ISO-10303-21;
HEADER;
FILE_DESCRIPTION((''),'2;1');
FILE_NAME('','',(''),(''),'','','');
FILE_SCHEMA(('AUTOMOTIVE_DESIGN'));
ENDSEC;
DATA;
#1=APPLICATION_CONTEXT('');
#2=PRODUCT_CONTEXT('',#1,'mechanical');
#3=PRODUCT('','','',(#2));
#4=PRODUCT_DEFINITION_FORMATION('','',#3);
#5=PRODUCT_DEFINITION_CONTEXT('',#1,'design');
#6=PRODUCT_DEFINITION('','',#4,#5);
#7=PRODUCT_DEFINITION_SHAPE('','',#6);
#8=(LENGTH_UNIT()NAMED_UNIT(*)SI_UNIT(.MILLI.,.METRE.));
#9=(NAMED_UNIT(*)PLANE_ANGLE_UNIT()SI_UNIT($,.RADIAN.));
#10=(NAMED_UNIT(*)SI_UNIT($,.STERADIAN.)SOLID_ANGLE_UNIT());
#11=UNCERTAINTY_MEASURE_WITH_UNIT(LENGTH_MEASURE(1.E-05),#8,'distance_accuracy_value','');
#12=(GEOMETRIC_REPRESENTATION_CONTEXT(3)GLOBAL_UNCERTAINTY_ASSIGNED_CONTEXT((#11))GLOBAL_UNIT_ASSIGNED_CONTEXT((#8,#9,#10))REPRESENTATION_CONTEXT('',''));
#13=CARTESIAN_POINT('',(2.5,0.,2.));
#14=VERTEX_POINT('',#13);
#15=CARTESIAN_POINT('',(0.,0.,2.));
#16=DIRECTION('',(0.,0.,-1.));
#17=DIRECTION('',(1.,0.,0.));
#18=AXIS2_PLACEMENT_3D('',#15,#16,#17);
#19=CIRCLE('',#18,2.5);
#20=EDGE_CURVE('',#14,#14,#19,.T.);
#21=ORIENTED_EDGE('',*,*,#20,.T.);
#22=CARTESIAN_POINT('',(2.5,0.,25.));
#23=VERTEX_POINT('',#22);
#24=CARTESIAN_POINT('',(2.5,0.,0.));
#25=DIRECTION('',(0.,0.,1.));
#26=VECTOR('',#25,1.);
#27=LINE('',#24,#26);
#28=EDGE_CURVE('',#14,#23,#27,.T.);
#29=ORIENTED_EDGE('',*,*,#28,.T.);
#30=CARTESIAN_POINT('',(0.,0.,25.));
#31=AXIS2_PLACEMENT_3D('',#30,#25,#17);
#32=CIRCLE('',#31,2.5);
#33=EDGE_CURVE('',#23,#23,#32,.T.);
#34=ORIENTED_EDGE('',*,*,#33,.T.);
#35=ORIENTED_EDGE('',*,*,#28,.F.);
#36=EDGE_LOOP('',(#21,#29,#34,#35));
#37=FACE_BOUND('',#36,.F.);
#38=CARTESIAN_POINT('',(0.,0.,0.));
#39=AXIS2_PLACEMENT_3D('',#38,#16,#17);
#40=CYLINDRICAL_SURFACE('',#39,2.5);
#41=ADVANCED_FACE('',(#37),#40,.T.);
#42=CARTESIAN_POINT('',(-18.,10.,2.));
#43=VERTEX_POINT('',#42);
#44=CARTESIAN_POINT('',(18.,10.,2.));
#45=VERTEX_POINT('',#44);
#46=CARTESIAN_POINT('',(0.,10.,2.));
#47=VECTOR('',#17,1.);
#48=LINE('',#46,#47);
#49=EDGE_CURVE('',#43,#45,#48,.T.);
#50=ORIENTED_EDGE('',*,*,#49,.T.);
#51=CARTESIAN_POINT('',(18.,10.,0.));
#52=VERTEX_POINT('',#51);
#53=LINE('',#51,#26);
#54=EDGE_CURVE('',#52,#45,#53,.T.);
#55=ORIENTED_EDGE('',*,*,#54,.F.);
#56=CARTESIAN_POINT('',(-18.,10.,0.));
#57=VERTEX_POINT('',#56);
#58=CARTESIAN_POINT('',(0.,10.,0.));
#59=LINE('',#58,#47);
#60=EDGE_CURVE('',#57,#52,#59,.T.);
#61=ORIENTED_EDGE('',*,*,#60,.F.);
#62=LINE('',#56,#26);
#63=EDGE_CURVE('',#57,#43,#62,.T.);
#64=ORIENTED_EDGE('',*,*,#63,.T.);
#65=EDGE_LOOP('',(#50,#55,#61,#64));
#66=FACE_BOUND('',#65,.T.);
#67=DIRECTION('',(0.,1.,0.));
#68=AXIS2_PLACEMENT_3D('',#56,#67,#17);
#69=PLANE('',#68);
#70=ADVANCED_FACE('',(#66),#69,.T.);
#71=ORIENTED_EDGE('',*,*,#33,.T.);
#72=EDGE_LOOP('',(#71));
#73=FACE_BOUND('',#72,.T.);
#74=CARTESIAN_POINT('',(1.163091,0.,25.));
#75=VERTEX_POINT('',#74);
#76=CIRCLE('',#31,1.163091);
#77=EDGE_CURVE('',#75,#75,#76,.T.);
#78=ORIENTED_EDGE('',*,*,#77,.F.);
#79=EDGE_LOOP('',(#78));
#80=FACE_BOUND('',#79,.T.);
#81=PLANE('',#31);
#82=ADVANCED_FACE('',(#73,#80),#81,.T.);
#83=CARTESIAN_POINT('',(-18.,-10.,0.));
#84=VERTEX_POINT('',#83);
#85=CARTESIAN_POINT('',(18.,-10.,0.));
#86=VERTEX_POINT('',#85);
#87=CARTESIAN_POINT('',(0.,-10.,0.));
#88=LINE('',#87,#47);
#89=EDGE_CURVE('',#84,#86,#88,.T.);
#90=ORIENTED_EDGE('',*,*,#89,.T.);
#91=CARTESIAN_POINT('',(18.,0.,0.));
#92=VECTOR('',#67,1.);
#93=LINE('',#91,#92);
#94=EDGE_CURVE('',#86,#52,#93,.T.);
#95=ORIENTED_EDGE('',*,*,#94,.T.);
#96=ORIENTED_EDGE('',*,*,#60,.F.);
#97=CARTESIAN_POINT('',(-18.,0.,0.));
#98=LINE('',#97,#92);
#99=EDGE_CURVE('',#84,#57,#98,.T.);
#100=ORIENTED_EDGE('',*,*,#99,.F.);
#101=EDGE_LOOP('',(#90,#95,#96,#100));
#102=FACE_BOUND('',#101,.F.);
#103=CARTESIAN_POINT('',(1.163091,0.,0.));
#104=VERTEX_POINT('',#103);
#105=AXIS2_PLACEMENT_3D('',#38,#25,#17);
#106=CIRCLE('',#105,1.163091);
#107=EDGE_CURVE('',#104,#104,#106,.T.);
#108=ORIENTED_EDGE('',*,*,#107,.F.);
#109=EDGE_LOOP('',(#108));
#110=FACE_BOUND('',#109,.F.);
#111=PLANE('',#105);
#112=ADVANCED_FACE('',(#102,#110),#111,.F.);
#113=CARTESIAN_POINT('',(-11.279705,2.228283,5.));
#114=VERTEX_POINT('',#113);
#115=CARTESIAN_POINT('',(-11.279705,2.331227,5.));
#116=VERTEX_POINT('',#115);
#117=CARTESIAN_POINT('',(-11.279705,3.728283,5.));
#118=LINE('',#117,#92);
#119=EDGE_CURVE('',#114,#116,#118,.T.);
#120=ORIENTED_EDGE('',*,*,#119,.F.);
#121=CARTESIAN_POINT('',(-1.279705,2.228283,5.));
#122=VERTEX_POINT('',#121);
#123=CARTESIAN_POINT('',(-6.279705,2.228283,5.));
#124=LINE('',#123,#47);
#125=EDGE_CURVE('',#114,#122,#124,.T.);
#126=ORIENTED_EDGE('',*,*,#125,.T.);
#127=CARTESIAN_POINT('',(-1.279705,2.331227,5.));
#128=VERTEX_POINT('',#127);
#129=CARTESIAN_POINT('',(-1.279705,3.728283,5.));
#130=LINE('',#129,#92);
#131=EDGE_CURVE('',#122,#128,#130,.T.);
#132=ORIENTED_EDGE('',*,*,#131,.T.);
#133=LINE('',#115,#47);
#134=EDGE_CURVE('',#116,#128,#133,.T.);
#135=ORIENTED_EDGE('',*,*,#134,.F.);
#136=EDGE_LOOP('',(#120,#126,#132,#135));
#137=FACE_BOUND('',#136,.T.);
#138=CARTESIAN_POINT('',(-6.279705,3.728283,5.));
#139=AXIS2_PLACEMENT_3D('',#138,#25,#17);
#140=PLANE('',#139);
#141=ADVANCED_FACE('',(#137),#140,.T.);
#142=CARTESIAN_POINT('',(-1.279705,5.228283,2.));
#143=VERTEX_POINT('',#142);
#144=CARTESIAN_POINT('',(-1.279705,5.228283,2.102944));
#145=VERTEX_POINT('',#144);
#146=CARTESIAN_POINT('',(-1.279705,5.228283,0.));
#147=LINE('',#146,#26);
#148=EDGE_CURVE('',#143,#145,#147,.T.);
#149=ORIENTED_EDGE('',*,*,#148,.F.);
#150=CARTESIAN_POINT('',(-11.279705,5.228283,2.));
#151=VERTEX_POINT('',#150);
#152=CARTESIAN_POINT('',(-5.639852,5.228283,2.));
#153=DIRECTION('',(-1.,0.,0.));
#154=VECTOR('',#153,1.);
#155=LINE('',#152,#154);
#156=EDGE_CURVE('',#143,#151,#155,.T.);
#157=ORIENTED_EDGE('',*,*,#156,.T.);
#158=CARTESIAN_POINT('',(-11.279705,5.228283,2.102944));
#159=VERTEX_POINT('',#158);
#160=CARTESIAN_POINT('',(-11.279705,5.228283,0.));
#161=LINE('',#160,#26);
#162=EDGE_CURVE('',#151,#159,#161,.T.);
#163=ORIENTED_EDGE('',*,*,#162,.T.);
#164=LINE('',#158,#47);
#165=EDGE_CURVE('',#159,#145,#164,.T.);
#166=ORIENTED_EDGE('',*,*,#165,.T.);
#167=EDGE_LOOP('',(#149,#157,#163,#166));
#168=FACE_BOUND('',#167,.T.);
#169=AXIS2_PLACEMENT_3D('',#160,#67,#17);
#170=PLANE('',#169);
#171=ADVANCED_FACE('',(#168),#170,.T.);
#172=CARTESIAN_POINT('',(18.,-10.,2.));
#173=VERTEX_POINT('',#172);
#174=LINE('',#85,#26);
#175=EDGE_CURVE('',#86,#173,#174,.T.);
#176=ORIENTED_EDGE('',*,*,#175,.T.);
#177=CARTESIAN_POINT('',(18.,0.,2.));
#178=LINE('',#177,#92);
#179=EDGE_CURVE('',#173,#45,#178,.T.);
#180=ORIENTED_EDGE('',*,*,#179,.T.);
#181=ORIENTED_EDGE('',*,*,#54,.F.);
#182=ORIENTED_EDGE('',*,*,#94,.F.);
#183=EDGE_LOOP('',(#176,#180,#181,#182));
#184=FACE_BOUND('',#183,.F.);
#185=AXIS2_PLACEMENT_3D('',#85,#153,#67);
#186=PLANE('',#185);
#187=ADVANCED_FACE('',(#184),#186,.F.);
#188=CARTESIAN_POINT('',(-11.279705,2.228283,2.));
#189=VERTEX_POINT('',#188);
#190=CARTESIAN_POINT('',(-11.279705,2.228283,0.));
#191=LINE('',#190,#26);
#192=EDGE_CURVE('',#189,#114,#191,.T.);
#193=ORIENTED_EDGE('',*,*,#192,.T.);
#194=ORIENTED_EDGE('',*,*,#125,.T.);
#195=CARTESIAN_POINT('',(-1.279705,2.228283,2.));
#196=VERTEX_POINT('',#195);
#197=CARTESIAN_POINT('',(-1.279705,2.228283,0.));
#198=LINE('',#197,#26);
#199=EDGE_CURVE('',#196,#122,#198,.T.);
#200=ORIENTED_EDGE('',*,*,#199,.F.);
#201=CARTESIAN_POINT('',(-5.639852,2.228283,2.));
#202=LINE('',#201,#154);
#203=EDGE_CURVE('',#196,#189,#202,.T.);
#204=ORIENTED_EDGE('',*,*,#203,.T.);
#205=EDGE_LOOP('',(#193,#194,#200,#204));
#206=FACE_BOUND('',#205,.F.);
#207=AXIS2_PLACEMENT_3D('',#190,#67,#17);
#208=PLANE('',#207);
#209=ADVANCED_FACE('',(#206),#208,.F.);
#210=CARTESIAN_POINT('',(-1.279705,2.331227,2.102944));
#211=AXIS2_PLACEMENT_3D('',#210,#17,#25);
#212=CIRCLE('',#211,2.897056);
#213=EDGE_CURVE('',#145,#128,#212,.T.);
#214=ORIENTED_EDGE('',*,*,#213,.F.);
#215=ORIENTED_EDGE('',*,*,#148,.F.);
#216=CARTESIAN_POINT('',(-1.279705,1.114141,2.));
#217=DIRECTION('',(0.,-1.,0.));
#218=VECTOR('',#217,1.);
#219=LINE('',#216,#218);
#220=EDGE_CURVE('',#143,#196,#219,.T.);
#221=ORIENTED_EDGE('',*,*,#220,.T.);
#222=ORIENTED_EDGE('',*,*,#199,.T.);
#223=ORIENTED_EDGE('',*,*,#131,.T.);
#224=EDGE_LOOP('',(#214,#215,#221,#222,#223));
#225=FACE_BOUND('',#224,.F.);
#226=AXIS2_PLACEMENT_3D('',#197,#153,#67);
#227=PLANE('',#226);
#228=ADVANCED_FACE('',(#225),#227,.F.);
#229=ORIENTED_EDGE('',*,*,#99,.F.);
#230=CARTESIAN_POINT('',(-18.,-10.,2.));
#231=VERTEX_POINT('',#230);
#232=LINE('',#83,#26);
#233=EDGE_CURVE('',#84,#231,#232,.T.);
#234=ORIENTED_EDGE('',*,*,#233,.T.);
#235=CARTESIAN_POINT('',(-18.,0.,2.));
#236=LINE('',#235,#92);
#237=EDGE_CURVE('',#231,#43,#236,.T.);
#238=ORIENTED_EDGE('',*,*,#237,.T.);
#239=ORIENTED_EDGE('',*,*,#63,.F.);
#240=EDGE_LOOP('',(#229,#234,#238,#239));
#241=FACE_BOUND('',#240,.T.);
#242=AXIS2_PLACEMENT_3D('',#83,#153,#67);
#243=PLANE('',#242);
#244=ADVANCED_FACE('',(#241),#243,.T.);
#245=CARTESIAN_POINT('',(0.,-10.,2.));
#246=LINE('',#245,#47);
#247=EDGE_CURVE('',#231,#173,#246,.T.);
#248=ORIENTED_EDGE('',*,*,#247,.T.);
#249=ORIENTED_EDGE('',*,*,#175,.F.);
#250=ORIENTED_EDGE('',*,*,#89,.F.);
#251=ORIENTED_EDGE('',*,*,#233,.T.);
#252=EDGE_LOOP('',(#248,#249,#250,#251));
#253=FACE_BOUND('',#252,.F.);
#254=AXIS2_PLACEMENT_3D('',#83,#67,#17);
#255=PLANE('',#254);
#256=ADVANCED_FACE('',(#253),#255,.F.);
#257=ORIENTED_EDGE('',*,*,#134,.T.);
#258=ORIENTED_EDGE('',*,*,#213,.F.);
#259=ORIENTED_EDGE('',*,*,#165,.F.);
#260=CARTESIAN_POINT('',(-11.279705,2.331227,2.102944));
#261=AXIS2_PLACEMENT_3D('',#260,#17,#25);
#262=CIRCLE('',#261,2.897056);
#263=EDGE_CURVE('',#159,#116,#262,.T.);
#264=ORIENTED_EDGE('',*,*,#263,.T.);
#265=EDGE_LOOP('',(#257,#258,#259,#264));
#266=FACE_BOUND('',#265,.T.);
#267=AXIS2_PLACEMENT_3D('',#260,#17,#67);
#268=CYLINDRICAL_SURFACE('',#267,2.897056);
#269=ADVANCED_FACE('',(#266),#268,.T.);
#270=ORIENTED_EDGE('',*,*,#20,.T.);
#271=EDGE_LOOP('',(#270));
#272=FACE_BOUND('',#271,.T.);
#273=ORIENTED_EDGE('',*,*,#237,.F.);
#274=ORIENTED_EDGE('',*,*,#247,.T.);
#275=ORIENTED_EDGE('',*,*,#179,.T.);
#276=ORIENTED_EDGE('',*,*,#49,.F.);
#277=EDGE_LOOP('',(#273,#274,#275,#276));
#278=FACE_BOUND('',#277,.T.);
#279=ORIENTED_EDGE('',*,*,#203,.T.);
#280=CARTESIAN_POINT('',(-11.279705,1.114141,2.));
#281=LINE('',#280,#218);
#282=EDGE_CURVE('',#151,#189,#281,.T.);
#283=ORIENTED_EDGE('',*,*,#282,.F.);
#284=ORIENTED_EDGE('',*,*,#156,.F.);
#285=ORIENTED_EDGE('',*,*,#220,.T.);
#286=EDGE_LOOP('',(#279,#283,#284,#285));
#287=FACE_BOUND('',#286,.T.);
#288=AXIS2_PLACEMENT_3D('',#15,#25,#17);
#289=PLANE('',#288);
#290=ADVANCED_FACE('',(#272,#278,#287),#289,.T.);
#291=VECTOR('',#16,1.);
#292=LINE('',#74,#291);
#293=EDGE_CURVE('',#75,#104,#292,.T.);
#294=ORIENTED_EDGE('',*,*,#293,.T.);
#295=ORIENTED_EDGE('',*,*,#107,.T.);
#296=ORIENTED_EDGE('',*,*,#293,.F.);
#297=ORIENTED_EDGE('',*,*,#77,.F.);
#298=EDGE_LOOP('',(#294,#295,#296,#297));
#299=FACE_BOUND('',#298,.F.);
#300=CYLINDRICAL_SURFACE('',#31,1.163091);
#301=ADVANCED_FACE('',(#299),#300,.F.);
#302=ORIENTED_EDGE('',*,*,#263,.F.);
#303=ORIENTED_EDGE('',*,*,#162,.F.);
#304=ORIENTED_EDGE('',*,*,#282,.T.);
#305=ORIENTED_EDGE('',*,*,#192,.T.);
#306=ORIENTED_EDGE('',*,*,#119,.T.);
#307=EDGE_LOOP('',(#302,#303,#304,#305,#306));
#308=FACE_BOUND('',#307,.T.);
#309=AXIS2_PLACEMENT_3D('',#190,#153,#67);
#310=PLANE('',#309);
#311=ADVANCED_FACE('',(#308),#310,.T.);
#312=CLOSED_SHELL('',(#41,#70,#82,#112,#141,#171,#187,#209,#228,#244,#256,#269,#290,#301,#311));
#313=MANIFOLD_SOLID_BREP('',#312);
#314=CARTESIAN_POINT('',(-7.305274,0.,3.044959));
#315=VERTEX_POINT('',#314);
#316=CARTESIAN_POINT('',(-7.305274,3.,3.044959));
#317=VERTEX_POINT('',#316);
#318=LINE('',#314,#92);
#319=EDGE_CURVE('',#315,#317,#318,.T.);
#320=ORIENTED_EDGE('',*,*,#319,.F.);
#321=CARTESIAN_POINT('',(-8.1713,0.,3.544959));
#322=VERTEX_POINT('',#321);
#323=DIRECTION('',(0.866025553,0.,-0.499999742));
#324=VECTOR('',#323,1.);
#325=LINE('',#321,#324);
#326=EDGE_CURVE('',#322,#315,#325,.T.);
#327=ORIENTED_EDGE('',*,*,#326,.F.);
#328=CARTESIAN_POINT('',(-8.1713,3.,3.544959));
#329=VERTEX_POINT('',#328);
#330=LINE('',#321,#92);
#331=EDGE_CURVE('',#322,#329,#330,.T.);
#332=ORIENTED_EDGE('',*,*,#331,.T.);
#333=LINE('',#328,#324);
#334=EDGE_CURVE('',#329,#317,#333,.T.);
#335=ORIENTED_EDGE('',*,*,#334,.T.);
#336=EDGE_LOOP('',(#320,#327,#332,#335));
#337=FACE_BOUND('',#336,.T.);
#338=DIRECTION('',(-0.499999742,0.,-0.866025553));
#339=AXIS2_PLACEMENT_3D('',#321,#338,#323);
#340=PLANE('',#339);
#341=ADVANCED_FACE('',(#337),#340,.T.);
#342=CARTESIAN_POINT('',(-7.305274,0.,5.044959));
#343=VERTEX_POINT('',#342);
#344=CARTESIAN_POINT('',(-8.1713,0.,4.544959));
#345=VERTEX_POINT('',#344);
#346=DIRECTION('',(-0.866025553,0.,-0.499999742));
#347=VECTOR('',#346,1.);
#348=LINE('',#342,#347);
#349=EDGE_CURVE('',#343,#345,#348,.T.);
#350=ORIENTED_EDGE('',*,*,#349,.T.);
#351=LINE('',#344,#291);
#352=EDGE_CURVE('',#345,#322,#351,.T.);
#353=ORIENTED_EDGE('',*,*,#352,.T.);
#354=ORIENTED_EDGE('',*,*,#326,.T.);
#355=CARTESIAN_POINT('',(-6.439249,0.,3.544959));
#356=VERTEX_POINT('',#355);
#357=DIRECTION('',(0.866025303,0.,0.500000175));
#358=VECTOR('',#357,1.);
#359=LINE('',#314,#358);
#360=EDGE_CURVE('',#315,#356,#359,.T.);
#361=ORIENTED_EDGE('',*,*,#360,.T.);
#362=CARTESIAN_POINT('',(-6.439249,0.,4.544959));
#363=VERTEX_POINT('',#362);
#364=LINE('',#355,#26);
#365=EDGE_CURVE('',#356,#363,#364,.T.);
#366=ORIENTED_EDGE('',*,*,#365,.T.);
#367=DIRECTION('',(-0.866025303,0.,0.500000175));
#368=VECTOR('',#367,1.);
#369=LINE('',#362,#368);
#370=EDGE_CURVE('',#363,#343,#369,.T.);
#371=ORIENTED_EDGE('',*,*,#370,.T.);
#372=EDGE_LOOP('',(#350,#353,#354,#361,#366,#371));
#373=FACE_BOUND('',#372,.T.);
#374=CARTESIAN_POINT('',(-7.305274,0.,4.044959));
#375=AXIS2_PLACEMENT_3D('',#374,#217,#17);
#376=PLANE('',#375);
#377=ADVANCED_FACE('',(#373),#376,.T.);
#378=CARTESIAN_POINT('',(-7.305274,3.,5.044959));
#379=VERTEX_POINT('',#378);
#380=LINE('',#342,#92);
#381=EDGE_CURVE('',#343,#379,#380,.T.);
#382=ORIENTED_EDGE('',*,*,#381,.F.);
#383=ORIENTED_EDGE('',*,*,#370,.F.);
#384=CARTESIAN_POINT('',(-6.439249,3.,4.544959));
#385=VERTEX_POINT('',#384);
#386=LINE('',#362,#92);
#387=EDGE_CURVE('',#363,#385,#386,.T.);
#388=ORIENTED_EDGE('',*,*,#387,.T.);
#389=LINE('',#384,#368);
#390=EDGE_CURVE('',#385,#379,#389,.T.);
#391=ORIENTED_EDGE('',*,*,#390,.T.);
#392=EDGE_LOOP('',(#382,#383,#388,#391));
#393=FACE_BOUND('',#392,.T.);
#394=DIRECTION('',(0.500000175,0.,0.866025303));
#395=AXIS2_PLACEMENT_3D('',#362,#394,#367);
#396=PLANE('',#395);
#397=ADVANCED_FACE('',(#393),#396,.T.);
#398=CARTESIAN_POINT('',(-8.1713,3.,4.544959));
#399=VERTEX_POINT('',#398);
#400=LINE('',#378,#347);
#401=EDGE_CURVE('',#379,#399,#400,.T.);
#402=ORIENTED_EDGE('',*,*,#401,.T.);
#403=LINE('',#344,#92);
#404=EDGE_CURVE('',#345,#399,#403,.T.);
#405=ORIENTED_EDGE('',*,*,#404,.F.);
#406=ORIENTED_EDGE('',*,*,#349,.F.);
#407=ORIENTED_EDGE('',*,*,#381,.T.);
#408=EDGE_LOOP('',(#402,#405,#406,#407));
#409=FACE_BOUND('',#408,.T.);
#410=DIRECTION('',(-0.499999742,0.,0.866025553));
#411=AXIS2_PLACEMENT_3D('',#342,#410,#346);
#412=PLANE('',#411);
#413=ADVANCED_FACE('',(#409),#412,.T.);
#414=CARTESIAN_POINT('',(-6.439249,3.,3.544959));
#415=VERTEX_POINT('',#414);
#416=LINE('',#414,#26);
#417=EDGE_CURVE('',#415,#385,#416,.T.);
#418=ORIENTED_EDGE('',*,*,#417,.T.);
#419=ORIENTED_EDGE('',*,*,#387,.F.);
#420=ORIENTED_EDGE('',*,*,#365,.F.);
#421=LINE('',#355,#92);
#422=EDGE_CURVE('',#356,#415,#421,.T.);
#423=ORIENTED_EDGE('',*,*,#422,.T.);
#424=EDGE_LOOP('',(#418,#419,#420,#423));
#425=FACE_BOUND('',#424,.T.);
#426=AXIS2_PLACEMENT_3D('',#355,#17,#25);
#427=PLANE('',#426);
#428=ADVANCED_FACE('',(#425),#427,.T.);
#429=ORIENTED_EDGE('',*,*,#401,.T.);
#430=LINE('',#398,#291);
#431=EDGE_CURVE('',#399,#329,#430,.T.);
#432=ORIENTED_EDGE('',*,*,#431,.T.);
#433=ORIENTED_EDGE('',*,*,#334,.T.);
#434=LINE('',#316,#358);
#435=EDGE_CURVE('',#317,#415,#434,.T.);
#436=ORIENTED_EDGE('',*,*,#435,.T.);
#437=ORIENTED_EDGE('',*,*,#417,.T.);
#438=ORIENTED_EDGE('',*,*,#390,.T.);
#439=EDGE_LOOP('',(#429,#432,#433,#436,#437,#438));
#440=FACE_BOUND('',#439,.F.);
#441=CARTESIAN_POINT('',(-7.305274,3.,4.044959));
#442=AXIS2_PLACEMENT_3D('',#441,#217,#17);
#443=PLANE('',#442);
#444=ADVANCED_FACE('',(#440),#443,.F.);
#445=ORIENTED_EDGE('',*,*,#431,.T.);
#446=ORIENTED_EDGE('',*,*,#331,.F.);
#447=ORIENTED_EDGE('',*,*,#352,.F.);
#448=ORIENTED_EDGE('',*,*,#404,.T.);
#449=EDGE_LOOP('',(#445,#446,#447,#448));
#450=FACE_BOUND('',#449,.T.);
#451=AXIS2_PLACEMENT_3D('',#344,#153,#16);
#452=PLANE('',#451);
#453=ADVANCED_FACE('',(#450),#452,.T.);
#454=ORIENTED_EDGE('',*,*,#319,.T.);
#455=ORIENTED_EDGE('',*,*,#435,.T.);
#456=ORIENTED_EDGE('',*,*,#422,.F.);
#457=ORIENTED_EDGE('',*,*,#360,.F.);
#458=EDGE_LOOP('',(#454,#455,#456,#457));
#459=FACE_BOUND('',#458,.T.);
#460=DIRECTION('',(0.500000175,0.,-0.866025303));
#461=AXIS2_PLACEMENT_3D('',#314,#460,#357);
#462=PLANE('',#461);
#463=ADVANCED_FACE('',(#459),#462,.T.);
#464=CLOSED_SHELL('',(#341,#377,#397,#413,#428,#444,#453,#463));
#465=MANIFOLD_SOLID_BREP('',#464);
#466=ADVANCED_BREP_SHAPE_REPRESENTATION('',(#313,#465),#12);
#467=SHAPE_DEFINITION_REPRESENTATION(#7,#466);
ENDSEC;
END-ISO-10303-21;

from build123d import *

# Parameters (mm, degrees)
F0_W      = 36
F0_H      = 20
F2_DEPTH  = 2
F1_W      = 10
F1_H      = 3
F3_DEPTH  = 5
F4_R      = 2.897056
F6_DEPTH  = 3
F7_R      = 2.5
F8_DEPTH  = 25
F9_R      = 1.163091
F10_DEPTH = 30


with BuildPart() as f2:
    # F0 (on Top) → F2 (new body)
    with BuildSketch(Plane.XY):
        Rectangle(F0_W, F0_H)
    extrude(amount=F2_DEPTH)

    # F1 (on Top) → F3 (join)
    with BuildSketch(Plane.XY):
        with Locations((-6.279705, 3.728283)):
            Rectangle(F1_W, F1_H)
    extrude(amount=F3_DEPTH)

    # F4
    f4_edges = [f2.edges().sort_by_distance(p)[0] for p in [
        (-6.279705, 5.228283, 5),
    ]]
    fillet(f4_edges, radius=F4_R)

    # F7 (on Top) → F8 (join)
    with BuildSketch(Plane.XY):
        Circle(F7_R)
    extrude(amount=F8_DEPTH)

    # F9 (on face) → F10 (cut)
    with BuildSketch(Plane.XY.offset(25)):
        Circle(F9_R)
    extrude(amount=-F10_DEPTH, mode=Mode.SUBTRACT)


with BuildPart() as f6:
    # F5 (on Front) → F6 (new body)
    with BuildSketch(Plane.XZ):
        Polygon((-6.439249, 3.544959), (-6.439249, 4.544959), (-7.305274, 5.044959), (-8.1713, 4.544959), (-8.1713, 3.544959), (-7.305274, 3.044959), align=None)
    extrude(amount=-F6_DEPTH)


solid = Compound([f2.part, f6.part])
